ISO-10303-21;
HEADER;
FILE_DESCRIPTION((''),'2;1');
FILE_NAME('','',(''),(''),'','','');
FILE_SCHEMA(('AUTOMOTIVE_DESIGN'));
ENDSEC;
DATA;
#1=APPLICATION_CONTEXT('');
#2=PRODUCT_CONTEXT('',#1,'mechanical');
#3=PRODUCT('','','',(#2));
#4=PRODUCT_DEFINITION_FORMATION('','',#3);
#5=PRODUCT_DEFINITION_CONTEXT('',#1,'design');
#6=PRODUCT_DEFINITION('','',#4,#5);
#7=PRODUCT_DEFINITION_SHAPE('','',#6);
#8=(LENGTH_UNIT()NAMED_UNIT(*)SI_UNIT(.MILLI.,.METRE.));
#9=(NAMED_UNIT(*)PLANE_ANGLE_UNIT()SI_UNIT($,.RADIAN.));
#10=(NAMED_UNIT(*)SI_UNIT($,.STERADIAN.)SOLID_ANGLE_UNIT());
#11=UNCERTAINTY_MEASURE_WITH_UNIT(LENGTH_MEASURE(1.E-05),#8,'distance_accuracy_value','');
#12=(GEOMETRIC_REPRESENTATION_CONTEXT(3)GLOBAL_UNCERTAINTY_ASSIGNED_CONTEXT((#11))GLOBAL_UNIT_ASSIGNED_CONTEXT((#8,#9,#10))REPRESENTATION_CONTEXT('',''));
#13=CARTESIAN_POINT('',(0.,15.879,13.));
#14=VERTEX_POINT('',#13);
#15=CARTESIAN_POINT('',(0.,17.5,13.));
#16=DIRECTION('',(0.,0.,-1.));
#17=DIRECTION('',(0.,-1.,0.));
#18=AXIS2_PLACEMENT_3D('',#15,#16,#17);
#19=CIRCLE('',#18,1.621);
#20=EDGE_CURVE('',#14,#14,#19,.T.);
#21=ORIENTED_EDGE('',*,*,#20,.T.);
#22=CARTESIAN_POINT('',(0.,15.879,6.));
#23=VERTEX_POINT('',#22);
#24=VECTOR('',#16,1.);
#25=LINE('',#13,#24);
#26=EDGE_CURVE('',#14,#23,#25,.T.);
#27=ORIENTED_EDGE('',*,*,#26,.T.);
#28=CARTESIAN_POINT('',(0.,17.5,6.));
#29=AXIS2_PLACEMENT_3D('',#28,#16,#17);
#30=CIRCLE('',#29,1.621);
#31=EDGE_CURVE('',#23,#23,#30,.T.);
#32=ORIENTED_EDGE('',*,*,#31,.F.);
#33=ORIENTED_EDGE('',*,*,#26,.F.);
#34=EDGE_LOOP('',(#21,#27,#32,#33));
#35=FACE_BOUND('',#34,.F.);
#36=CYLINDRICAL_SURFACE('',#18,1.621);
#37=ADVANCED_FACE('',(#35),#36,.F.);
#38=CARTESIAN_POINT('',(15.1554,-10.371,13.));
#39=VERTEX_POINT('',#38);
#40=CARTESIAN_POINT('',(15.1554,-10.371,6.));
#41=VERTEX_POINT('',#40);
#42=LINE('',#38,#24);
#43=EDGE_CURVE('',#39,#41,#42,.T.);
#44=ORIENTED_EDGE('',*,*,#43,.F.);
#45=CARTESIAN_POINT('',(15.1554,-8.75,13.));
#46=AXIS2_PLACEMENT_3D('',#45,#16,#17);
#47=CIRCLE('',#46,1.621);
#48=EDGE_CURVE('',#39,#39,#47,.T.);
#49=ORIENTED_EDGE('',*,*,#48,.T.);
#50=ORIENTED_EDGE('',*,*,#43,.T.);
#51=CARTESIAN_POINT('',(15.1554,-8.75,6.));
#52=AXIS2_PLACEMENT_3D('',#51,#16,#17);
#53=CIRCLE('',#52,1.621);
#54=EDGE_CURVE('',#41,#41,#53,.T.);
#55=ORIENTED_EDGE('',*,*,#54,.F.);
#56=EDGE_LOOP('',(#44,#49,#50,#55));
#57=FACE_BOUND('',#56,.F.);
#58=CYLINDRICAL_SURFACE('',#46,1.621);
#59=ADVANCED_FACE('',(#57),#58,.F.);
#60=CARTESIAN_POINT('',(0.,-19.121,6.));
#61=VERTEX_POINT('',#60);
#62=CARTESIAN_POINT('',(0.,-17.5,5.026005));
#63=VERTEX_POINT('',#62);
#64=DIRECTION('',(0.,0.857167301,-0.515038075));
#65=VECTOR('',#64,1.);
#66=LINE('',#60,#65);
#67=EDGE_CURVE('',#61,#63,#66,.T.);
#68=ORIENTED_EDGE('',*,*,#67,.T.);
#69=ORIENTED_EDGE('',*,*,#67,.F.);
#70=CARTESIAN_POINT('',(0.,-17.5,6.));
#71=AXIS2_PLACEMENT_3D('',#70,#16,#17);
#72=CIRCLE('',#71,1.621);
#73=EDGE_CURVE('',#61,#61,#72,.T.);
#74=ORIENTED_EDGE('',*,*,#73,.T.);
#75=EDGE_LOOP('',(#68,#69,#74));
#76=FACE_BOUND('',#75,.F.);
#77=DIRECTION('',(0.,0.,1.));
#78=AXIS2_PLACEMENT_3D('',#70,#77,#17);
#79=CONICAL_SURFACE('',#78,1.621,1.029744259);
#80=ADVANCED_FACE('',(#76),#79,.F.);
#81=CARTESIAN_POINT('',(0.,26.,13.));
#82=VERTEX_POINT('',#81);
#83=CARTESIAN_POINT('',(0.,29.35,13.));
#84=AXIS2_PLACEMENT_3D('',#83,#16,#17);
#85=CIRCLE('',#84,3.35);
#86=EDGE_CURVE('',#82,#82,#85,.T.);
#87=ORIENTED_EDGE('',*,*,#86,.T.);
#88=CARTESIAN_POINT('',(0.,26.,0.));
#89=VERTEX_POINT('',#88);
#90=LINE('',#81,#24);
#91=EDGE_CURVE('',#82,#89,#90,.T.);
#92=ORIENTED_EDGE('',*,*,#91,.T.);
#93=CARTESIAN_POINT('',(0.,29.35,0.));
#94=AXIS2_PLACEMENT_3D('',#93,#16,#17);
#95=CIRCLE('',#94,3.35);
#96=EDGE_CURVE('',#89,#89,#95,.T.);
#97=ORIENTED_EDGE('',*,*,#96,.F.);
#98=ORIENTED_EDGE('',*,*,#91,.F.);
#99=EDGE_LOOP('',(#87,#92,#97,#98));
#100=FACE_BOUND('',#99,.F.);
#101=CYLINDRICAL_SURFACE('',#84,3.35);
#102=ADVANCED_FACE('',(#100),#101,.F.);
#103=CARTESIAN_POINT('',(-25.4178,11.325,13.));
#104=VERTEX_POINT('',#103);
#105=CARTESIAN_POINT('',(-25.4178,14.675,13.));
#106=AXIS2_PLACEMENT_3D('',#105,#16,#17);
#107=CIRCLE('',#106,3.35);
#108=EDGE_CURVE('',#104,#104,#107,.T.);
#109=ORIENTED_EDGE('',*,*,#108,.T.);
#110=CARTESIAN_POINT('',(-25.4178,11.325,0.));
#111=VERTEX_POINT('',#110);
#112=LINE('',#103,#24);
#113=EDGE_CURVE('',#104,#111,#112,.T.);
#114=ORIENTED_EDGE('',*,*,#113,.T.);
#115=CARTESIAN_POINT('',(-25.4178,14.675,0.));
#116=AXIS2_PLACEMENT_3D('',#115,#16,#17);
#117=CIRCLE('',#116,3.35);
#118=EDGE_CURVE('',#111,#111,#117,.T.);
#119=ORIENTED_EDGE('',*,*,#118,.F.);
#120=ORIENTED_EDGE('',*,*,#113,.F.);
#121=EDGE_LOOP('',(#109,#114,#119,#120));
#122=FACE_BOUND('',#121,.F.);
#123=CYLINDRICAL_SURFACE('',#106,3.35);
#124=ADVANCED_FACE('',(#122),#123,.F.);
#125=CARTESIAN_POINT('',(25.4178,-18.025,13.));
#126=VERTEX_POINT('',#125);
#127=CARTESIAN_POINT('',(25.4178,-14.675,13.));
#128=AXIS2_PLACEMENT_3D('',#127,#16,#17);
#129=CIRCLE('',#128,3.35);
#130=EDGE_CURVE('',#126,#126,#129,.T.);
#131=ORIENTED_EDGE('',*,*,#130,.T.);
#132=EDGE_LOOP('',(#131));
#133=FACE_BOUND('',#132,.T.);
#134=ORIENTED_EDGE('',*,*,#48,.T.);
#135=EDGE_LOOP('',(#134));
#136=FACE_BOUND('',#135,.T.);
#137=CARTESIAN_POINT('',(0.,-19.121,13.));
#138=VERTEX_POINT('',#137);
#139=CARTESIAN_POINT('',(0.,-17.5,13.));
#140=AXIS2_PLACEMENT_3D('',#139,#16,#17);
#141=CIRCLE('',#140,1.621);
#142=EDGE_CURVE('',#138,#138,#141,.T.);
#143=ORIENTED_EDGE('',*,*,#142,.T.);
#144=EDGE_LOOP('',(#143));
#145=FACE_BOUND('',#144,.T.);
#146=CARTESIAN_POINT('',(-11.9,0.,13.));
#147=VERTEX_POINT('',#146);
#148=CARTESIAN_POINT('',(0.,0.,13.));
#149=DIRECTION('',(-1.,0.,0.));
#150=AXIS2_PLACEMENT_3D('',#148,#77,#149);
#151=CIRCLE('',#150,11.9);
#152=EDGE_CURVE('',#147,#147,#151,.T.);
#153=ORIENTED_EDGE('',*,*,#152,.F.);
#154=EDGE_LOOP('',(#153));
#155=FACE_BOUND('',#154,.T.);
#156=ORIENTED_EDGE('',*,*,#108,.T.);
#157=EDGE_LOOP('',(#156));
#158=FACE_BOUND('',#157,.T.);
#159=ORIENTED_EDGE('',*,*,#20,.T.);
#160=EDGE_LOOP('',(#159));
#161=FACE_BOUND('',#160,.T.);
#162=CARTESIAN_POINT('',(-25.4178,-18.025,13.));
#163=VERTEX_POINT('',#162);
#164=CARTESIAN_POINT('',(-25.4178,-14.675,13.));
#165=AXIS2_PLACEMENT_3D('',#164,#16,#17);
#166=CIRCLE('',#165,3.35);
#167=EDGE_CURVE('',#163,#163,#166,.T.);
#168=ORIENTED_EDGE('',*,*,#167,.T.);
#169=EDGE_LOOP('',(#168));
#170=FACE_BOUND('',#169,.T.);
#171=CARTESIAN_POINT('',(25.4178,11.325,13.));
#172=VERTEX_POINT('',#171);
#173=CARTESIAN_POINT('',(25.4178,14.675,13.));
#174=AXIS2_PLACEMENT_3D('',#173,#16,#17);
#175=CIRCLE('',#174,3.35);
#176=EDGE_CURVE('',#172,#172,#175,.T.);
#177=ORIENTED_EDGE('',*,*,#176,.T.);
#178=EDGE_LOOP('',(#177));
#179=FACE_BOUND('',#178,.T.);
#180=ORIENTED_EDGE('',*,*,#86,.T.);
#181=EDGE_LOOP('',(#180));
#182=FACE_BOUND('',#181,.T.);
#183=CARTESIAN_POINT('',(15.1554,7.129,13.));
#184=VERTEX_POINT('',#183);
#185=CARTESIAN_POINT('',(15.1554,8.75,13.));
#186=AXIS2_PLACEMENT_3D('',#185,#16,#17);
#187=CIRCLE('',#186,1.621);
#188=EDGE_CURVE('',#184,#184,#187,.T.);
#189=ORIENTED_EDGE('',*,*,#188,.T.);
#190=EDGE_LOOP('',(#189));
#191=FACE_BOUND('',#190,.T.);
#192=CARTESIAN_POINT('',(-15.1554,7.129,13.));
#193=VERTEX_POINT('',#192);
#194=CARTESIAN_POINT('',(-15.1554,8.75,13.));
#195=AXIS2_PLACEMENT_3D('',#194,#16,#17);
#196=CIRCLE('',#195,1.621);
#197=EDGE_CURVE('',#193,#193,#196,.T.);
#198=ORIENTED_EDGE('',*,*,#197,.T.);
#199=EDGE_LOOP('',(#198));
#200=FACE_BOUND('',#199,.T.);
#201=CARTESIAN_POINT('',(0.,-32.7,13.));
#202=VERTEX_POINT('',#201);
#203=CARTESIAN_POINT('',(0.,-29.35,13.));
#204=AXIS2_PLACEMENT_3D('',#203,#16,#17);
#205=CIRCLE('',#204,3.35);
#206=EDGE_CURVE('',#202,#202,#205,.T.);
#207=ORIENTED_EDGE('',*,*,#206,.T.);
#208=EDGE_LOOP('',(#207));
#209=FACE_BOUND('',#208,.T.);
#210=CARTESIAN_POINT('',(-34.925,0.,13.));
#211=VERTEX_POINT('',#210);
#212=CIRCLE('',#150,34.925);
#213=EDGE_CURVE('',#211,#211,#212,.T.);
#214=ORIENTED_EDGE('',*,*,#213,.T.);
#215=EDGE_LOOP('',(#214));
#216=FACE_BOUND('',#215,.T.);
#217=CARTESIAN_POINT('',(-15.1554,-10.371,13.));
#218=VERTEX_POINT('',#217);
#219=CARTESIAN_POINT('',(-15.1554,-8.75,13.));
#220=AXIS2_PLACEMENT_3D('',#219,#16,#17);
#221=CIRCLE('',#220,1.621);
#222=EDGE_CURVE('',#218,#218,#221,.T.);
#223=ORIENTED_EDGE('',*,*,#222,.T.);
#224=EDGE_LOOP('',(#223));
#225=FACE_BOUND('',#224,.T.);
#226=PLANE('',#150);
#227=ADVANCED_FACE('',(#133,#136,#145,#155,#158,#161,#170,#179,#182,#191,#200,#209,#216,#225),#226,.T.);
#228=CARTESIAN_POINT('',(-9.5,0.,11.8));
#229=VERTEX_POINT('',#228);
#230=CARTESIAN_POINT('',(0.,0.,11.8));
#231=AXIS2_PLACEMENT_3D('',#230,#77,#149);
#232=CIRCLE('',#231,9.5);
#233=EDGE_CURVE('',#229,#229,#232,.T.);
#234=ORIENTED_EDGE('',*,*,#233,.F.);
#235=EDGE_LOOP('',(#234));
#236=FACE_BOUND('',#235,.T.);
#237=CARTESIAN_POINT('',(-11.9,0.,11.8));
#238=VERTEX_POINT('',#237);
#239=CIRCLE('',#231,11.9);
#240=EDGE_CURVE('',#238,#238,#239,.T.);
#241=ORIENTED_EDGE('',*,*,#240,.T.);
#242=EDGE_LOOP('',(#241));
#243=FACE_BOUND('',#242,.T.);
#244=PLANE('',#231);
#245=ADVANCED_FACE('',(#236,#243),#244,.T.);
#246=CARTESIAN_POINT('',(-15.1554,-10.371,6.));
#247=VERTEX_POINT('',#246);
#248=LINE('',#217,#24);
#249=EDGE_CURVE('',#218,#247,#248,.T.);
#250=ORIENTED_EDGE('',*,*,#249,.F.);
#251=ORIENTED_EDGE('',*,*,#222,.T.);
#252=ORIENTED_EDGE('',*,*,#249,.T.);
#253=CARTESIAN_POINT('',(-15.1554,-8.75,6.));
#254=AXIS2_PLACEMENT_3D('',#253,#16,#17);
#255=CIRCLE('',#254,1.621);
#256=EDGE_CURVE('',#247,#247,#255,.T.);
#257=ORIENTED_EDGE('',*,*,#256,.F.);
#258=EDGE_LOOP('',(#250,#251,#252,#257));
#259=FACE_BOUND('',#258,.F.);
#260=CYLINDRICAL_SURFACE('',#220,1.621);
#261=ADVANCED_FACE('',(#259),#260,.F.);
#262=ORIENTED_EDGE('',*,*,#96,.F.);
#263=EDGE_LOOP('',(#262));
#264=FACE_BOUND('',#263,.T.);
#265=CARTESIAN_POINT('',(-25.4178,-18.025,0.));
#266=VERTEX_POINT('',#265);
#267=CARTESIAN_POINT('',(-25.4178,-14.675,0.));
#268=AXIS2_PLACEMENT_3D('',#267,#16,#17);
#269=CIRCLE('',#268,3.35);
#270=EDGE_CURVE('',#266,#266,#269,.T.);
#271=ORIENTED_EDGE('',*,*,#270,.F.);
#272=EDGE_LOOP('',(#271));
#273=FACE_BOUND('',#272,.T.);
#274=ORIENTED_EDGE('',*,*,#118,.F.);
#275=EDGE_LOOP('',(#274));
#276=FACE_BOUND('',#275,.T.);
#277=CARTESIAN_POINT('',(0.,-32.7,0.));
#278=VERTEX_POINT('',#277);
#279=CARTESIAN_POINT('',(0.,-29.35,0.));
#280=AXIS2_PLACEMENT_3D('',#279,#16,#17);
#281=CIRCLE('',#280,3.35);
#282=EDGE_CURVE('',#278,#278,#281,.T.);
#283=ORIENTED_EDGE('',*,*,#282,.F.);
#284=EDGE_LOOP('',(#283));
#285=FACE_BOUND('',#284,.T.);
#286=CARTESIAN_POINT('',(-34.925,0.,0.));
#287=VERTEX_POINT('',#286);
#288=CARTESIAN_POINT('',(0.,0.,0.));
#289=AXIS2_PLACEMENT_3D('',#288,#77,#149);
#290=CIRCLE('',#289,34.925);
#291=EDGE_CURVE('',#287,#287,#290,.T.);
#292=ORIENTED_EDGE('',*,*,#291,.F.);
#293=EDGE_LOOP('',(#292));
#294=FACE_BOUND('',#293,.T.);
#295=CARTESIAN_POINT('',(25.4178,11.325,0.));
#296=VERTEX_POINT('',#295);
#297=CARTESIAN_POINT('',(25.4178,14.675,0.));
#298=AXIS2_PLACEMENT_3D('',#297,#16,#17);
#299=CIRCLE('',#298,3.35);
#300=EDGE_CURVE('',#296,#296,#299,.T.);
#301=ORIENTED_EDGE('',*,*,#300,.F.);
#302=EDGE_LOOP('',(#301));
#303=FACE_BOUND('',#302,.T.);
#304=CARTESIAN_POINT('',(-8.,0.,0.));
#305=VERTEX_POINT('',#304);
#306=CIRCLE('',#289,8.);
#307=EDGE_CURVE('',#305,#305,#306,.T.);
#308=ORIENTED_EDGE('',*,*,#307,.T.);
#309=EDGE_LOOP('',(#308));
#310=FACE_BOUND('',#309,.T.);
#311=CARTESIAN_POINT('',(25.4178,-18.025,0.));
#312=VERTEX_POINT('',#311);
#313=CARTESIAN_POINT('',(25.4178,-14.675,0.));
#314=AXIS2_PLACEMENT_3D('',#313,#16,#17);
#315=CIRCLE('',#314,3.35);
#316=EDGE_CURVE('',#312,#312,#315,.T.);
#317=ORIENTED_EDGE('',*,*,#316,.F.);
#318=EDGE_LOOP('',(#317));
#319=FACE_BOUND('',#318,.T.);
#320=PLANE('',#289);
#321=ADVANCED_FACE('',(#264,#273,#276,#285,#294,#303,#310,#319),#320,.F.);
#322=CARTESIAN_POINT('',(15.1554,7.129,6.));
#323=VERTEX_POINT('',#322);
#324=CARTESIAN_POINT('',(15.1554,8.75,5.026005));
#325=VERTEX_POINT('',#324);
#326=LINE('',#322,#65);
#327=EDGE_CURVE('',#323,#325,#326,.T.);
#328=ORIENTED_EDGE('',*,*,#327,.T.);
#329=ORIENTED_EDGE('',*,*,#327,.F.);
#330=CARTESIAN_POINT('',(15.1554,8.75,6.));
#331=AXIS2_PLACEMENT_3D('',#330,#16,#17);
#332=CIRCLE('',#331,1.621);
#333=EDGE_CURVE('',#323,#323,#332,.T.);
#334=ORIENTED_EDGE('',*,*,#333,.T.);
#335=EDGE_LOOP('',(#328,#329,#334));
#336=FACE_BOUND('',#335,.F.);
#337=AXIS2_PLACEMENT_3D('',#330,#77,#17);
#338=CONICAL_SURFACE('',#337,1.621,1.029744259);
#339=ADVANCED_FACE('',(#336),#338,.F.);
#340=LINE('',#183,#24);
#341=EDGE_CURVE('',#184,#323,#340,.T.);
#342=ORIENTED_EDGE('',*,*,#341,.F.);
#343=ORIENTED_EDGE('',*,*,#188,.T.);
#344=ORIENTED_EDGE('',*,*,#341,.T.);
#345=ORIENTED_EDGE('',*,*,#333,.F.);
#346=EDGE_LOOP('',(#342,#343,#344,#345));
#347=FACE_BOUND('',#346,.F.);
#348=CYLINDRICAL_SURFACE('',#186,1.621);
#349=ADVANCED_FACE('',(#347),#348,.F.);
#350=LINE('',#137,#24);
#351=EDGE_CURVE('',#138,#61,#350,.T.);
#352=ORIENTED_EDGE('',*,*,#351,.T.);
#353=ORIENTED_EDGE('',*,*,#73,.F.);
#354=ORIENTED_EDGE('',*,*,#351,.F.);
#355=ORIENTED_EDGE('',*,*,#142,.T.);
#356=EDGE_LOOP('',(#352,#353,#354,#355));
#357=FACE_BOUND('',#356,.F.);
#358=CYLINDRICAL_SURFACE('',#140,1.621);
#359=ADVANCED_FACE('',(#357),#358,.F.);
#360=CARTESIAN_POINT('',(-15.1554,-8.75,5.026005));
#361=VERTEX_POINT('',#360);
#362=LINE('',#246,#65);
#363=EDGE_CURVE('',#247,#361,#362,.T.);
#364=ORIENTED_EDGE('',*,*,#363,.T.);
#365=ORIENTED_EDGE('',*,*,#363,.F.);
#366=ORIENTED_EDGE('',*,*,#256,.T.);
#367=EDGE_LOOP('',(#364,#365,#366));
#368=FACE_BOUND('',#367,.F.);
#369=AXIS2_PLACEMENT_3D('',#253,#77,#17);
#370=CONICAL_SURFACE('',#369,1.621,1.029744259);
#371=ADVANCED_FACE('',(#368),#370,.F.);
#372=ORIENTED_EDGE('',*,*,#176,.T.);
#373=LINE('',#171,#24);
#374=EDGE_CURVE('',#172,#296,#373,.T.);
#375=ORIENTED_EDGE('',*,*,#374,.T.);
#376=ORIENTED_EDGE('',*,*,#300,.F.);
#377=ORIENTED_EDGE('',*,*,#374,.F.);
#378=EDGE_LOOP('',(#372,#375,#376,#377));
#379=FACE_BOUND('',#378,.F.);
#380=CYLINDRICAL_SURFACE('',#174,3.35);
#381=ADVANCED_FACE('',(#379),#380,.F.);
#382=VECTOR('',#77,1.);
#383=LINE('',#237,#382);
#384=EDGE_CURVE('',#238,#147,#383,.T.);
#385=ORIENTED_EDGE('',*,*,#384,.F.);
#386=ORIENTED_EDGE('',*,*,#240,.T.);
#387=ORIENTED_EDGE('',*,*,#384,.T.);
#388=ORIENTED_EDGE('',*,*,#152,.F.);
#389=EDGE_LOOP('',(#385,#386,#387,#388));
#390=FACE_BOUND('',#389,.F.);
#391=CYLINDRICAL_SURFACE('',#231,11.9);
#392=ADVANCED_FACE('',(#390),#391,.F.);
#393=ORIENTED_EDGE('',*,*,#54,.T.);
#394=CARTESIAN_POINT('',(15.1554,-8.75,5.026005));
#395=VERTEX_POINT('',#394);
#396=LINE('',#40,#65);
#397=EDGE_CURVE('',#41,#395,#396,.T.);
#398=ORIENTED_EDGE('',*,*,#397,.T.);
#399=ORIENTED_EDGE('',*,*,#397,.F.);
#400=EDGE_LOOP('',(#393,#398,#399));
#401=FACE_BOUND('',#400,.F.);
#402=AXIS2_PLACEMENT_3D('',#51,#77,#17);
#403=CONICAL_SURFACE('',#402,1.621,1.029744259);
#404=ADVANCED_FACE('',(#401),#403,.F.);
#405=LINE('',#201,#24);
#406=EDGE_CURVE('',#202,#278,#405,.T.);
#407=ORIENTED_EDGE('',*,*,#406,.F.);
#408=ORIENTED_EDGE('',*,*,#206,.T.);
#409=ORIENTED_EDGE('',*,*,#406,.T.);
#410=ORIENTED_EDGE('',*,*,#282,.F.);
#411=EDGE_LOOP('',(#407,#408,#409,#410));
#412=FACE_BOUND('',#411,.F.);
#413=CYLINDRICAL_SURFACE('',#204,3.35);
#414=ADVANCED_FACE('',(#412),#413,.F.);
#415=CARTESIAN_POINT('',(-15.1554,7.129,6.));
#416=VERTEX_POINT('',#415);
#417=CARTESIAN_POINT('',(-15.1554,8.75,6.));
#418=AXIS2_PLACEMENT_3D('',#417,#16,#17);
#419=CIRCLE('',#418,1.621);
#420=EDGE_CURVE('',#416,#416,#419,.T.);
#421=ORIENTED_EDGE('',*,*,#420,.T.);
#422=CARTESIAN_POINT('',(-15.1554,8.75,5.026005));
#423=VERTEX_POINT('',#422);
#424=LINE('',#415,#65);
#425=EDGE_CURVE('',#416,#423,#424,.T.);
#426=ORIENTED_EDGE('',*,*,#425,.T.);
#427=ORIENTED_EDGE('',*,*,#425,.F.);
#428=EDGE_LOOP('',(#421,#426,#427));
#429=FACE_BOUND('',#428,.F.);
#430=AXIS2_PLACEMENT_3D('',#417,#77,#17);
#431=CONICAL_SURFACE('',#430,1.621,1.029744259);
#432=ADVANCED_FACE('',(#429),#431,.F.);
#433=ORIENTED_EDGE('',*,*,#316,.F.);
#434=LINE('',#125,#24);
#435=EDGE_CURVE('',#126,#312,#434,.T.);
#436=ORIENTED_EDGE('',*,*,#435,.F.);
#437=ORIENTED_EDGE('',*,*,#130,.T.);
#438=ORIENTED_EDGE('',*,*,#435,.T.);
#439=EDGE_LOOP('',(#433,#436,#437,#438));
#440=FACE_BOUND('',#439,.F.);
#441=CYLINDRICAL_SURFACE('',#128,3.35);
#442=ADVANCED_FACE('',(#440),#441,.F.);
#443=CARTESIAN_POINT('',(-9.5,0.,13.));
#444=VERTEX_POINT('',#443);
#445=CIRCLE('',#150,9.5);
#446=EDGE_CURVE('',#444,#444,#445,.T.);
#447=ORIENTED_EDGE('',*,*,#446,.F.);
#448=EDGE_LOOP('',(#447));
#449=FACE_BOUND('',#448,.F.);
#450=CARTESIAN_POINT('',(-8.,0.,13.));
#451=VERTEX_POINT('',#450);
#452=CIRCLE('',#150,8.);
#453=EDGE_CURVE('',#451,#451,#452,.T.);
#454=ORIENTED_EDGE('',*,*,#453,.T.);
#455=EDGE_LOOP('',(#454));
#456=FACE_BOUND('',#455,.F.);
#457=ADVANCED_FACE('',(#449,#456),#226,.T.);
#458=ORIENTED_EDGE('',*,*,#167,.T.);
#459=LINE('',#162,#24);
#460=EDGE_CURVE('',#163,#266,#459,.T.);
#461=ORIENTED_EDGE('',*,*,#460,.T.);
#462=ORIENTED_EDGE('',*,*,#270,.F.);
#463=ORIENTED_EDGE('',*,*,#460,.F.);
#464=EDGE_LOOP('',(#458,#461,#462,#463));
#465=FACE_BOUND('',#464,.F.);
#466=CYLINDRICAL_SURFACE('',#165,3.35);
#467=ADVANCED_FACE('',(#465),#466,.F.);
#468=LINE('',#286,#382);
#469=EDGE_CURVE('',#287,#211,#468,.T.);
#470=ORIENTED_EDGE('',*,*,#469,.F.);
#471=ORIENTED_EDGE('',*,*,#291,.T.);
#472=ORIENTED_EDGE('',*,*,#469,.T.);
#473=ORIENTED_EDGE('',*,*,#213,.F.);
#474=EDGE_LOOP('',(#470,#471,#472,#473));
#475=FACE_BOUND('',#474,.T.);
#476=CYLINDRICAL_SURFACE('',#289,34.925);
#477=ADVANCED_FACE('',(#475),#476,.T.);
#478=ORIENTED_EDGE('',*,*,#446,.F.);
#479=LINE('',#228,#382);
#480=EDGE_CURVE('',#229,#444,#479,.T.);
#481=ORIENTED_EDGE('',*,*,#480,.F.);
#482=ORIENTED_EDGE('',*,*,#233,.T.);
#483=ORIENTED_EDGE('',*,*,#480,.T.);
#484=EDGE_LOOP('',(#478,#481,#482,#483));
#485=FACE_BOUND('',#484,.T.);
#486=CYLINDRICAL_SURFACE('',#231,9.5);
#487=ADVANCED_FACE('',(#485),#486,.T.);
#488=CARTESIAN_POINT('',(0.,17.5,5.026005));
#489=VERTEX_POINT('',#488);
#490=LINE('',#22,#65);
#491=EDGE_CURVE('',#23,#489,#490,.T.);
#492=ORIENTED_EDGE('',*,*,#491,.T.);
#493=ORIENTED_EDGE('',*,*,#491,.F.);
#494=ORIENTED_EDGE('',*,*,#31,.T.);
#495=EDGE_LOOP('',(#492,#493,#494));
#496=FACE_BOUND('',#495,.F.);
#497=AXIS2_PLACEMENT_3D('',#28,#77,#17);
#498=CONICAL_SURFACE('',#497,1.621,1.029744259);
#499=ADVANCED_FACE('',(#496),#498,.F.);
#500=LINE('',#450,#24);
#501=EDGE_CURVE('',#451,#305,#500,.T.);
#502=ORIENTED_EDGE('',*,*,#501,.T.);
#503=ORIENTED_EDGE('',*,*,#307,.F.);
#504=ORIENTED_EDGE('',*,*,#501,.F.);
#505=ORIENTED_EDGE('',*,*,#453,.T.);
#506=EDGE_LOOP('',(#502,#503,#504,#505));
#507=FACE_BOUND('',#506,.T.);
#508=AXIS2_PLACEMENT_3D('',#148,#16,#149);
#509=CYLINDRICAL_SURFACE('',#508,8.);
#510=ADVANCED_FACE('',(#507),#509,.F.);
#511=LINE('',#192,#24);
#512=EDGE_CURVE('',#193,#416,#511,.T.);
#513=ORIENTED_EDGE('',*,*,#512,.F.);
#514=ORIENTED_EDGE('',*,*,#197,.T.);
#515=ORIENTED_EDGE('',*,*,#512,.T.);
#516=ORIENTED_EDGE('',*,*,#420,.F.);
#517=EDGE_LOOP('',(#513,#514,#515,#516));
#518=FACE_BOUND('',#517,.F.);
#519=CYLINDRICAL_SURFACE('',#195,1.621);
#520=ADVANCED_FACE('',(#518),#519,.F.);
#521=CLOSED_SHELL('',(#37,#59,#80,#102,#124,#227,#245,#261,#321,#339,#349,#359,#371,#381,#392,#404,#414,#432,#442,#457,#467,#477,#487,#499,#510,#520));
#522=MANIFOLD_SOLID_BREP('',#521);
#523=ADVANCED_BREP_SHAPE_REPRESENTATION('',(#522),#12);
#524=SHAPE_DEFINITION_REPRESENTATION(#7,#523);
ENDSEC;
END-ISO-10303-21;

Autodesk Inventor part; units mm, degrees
ref_plane "YZ Plane" through (0, 0, 0) normal (1, 0, 0) x (0, 1, 0)
ref_plane "XZ Plane" through (0, 0, 0) normal (0, 1, 0) x (-1, 0, 0)
ref_plane "XY Plane" through (0, 0, 0) normal (0, 0, 1) x (1, 0, 0)
sketch "Sketch5" plane through (0, 0, 0) normal (0, 1, 0) x (-1, 0, 0)
  line L0 (-22.5, 13) -> (22.5, 13) construction
  line L1 (8, 13) -> (8, 0)
  line L2 (8, 0) -> (34.925, 0)
  line L3 (34.925, 0) -> (34.925, 13)
  line L4 (34.925, 13) -> (11.9, 13)
  line L5 (11.9, 11.8) -> (9.5, 11.8)
  line L6 (9.5, 11.8) -> (9.5, 13)
  line L7 (11.9, 11.8) -> (11.9, 13)
  line L8 (0, -1.501) -> (0, 14.3549) construction
  line L9 (8, 13) -> (9.5, 13)
  dimension "d38" = 13
  dimension "d39" = 8
  dimension "d40" = 9.5
  dimension "d41" = 2.4
  dimension "d42" = 1.2
  dimension "d43" = 34.925
ref_plane "Work Plane1" through (0, 0, 13) normal (0, 0, -1) x (-1, 0, 0)
revolve "Revolution1" add sketch "Sketch5" angle 360 about axis through (0, 0, -1.501) along (0, 0, 1)
sketch "Sketch9" plane through (0, 0, 13) normal (0, 0, 1) x (1, 0, 0)
  circle A0 centre (0, 0) radius 11.9 projected
  circle A1 centre (0, 0) radius 17.5
  circle A2 centre (0, 0) radius 17.5
  circle A3 centre (0, 0) radius 17.5
  circle A4 centre (0, 0) radius 17.5
  circle A5 centre (0, 0) radius 17.5
  circle A6 centre (0, 0) radius 17.5
  point P0 (0, 17.5)
  point P1 (-15.1554, 8.75)
  point P2 (-15.1554, -8.75)
  point P3 (0, -17.5)
  point P4 (15.1554, -8.75)
  point P5 (15.1554, 8.75)
  dimension "d75" = 35
  dimension "d78" = 360
hole "Hole6" at (0, 17.5, 13) at (-15.1554, 8.75, 13) at (-15.1554, -8.75, 13) at (0, -17.5, 13) at (15.1554, -8.75, 13) at (15.1554, 8.75, 13) direction (0, 0, -1) diameter 3.242 depth 7 tip angle 118 thread size "M4x0.7" class "6H" standard "ISO Metric profile"
sketch "Sketch10" plane through (0, 0, 13) normal (0, 0, 1) x (1, 0, 0)
  circle A0 centre (0, 0) radius 11.9 projected
  circle A1 centre (0, 0) radius 29.35
  point P0 (0, 29.35)
  point P1 (-25.4178, 14.675)
  point P2 (-25.4178, -14.675)
  point P3 (0, -29.35)
  point P4 (25.4178, -14.675)
  point P5 (25.4178, 14.675)
  dimension "d87" = 58.7
  dimension "d90" = 360
hole "Hole7" at (0, 29.35, 13) at (-25.4178, 14.675, 13) at (-25.4178, -14.675, 13) at (0, -29.35, 13) at (25.4178, -14.675, 13) at (25.4178, 14.675, 13) direction (0, 0, -1) diameter 6.7 end through all
properties part number "Conflat Flange"
